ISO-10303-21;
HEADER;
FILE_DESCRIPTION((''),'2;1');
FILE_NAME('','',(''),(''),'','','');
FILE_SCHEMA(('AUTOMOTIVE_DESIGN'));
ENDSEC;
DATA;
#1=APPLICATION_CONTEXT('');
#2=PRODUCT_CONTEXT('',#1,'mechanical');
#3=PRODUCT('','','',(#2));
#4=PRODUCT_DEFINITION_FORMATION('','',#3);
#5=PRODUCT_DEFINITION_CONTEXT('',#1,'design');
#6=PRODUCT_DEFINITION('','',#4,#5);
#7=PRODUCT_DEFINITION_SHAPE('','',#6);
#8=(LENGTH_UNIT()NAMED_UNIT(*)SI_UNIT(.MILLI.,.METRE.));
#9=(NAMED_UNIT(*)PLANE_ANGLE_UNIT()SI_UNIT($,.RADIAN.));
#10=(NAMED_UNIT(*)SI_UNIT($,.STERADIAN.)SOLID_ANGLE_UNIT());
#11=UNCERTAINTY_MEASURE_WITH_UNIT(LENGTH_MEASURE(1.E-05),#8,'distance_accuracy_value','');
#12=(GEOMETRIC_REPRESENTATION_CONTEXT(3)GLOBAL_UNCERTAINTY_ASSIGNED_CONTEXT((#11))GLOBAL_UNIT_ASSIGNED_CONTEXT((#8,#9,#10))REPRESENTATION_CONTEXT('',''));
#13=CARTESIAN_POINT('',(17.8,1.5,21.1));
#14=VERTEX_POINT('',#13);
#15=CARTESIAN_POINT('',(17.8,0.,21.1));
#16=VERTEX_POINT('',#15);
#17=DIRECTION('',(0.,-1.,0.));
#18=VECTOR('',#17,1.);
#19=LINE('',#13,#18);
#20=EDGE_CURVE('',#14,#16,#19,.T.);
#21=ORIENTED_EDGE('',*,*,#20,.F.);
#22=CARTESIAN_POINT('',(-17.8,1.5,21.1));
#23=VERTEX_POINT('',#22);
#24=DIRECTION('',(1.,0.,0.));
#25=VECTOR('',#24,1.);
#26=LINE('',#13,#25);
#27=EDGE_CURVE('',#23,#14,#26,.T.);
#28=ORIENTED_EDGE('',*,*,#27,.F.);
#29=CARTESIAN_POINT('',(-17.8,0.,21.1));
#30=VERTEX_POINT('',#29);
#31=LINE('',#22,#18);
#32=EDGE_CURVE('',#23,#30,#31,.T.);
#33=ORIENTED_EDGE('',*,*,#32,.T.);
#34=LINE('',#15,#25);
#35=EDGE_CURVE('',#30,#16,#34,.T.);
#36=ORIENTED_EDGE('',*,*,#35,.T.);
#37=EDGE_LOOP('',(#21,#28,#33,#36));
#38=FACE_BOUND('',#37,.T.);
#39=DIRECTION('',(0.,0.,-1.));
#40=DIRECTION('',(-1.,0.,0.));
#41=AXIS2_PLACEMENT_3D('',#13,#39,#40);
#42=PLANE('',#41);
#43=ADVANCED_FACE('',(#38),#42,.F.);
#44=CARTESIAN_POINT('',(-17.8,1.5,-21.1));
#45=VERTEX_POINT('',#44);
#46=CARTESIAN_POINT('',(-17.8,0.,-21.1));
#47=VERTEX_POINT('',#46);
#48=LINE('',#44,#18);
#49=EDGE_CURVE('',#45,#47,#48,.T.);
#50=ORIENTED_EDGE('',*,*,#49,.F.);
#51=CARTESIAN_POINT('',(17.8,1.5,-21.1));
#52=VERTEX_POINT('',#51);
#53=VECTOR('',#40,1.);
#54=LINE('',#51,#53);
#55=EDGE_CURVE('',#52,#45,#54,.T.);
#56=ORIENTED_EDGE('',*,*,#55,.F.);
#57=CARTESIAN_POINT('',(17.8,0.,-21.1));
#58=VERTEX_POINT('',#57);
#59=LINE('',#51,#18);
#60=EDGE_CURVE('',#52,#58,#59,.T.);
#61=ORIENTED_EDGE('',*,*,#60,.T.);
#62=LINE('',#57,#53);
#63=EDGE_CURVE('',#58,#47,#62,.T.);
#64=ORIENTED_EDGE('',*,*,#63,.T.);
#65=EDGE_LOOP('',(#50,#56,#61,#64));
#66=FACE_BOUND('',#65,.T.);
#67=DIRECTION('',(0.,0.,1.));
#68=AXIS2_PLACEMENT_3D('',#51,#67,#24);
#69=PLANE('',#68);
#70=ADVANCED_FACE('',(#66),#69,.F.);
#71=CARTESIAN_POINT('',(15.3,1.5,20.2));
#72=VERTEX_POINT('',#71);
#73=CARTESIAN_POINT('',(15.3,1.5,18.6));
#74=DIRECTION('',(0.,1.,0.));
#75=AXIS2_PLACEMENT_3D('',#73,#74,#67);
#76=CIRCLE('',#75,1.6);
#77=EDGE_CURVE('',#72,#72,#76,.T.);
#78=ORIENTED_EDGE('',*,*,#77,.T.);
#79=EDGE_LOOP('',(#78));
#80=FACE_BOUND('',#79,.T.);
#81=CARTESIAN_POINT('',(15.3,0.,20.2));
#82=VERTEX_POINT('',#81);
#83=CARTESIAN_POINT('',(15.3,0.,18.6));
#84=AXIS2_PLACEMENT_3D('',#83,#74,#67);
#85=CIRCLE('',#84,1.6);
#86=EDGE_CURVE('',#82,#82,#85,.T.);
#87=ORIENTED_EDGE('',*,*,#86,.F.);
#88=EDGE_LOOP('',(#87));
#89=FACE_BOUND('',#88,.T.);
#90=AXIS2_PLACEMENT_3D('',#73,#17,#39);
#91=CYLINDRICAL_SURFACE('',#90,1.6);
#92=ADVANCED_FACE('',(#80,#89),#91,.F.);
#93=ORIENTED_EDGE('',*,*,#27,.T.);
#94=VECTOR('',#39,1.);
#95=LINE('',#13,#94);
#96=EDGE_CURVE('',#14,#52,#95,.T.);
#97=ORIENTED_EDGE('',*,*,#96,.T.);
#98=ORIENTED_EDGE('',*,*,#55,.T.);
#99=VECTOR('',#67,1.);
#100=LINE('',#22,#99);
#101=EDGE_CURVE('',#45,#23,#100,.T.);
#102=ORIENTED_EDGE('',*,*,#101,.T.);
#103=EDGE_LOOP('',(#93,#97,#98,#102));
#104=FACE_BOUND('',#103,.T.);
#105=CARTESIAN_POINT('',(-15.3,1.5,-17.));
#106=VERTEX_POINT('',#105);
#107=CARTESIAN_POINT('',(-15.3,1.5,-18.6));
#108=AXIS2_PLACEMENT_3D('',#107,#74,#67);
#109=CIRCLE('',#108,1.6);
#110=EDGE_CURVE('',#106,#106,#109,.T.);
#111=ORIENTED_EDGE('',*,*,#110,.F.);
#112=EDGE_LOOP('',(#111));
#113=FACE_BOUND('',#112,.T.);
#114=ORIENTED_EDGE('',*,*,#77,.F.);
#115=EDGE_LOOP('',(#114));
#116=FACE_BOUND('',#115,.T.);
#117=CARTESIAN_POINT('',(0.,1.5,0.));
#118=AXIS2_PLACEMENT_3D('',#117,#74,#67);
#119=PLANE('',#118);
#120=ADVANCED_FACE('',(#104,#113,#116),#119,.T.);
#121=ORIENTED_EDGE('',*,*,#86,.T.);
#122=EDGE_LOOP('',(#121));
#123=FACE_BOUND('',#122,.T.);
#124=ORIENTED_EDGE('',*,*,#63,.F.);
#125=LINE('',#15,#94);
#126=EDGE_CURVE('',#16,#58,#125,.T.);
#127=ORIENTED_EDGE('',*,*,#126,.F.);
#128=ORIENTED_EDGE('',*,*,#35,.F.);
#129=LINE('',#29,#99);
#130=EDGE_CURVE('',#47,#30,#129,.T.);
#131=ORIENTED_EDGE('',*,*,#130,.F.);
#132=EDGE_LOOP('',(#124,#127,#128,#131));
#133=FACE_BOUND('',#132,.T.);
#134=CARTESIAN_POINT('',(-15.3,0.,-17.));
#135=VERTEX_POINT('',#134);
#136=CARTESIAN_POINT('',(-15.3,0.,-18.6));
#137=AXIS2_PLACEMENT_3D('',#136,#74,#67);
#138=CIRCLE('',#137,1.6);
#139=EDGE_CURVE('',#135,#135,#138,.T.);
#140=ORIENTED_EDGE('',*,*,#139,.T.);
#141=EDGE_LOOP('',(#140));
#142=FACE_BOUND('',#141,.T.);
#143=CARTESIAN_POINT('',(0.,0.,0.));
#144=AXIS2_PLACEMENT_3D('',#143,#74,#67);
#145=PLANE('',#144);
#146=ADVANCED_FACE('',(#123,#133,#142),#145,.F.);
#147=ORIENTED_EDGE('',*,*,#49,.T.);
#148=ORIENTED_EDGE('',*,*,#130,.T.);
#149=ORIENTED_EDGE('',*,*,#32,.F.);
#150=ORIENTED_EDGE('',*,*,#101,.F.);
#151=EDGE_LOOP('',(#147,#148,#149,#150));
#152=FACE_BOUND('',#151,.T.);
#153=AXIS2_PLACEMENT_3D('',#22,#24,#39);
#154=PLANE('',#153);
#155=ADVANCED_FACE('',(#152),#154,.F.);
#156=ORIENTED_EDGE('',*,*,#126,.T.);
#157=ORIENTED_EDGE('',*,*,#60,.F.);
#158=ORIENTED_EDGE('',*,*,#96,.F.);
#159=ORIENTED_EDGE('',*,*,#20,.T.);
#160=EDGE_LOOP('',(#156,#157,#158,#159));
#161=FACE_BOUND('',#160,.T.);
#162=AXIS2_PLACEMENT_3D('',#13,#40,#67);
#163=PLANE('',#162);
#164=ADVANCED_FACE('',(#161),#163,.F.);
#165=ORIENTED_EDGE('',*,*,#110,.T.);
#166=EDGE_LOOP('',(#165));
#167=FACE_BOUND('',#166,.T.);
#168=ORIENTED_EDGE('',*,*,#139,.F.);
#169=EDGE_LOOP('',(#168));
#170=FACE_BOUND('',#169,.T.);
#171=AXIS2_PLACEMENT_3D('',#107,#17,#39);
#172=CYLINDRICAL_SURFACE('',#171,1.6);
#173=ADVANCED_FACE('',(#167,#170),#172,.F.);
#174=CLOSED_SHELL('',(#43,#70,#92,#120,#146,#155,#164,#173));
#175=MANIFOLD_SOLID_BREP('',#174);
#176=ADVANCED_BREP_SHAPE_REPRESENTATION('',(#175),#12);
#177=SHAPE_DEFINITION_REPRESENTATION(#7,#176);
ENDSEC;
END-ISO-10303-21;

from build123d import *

# Parameters (mm, degrees)
SKETCH1_W           = 35.6
SKETCH1_H           = 42.2
SKETCH1_R           = 1.6
BOSS_EXTRUDE1_DEPTH = 1.5


with BuildPart() as part:
    # Sketch1 → Boss-Extrude1 (new body)
    with BuildSketch(Plane(origin=(0, 0, 0), x_dir=(1, 0, 0), z_dir=(0, 1, 0))):
        Rectangle(SKETCH1_W, SKETCH1_H)
        with Locations(Location((-15.3, 18.6, 0), (0, 0, 270))):
            Circle(SKETCH1_R, mode=Mode.SUBTRACT)
        with Locations(Location((15.3, -18.6, 0), (0, 0, 270))):
            Circle(SKETCH1_R, mode=Mode.SUBTRACT)
    extrude(amount=BOSS_EXTRUDE1_DEPTH)


solid = part.part
